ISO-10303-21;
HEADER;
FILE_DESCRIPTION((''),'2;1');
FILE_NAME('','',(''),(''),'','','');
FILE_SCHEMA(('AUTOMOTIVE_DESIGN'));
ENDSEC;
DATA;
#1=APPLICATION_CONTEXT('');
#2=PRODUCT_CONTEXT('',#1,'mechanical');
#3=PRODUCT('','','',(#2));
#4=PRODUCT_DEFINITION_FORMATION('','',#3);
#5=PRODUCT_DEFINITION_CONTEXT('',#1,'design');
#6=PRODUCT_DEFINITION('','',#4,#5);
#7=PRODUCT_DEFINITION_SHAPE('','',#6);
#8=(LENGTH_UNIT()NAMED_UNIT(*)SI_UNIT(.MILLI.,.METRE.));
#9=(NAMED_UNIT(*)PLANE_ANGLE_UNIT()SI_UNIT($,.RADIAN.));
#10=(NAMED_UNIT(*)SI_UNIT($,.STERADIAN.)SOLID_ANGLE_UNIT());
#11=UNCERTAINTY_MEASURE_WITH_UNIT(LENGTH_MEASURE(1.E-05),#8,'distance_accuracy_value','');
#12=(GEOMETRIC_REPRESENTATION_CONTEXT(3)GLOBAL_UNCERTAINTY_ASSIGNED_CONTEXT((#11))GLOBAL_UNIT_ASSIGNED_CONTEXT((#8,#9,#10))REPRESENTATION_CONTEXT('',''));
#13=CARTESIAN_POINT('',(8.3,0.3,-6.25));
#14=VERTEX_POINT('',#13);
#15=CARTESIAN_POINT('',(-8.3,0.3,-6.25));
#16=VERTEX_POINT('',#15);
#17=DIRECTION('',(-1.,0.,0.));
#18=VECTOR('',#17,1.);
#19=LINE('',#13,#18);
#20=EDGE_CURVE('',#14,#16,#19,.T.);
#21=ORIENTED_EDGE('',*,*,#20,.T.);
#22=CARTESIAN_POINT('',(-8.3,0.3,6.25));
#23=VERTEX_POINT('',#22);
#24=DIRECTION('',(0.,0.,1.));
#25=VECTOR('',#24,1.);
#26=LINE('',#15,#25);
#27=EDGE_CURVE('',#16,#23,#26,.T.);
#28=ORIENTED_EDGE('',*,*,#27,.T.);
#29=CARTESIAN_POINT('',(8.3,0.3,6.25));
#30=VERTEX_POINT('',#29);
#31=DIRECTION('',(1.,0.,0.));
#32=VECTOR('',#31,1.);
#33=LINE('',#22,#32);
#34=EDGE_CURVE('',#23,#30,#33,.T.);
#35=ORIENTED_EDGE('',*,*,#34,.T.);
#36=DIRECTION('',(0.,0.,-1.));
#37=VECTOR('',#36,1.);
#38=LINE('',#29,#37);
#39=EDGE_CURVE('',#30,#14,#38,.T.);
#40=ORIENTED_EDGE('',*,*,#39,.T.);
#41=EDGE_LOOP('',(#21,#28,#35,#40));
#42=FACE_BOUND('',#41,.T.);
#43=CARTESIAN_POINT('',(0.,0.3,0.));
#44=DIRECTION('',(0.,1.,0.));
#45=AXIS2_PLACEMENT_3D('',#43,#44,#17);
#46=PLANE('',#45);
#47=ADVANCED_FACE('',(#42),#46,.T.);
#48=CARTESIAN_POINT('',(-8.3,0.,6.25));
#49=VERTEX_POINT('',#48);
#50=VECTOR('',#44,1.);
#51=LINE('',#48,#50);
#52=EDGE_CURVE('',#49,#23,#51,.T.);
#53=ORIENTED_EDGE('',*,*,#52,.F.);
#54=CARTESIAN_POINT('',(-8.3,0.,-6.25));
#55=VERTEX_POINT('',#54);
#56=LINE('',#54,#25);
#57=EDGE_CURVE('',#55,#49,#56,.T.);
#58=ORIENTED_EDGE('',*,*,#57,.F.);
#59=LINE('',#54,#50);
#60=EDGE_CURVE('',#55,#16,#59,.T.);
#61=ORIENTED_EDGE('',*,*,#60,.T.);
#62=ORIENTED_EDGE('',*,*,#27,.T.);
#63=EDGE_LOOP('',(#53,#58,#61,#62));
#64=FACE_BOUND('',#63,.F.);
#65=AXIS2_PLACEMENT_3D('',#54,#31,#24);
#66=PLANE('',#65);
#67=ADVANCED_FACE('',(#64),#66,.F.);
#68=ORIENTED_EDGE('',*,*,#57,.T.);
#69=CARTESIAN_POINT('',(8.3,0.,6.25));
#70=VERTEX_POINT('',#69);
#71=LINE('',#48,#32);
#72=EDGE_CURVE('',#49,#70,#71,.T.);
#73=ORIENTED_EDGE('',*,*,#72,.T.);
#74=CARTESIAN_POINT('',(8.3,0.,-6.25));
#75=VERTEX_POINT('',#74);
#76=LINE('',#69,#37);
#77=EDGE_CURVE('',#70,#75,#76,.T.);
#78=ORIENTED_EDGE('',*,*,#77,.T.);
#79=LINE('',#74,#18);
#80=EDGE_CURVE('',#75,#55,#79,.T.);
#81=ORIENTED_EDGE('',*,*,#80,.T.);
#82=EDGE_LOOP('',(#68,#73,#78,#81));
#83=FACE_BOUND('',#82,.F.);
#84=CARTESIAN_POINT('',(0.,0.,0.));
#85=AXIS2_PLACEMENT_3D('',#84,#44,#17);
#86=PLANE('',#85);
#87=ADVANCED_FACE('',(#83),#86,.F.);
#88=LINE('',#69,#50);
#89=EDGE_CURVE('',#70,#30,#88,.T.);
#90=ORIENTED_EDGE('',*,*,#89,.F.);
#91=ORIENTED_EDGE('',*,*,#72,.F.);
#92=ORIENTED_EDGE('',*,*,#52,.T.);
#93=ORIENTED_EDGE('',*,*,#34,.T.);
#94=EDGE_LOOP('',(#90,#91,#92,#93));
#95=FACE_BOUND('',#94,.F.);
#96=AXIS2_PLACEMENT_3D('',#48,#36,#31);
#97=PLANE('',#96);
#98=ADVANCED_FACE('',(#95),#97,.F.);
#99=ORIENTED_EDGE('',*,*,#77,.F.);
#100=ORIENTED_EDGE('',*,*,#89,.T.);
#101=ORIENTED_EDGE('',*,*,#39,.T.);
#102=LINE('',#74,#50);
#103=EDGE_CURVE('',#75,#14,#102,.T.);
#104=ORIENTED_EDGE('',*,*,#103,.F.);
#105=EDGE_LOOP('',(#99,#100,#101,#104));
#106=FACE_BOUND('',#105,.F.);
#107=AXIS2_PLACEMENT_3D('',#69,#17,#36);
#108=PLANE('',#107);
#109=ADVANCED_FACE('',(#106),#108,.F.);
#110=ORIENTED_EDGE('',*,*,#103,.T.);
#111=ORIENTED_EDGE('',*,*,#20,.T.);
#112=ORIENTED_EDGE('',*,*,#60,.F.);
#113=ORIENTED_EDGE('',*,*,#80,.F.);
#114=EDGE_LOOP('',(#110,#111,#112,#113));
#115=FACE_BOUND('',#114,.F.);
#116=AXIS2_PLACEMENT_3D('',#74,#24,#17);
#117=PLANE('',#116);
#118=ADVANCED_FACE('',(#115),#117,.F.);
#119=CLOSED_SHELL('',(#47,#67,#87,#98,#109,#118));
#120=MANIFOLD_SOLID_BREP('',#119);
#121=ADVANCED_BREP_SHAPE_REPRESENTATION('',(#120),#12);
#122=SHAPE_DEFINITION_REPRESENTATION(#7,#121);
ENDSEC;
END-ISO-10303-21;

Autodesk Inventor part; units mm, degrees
ref_plane "YZ Plane" through (0, 0, 0) normal (1, 0, 0) x (0, 1, 0)
ref_plane "XZ Plane" through (0, 0, 0) normal (0, 1, 0) x (-1, 0, 0)
ref_plane "XY Plane" through (0, 0, 0) normal (0, 0, 1) x (1, 0, 0)
sketch "Sketch1" plane through (0, 0, 0) normal (0, 1, 0) x (-1, 0, 0)
  line L0 (8.3, 6.25) -> (-8.3, 6.25)
  line L1 (-8.3, 6.25) -> (-8.3, -6.25)
  line L2 (-8.3, -6.25) -> (8.3, -6.25)
  line L3 (8.3, -6.25) -> (8.3, 6.25)
  line L4 (8.3, 6.25) -> (-8.3, -6.25) construction
  line L5 (-8.3, 6.25) -> (8.3, -6.25) construction
  point P0 (0, 0)
  dimension "d0" = 16.6
  dimension "d1" = 12.5
extrude "Extrusion1" add sketch "Sketch1" along normal blind 0.3
properties part number "Device Chiplet" material "Polycarbonate, Smoke"
